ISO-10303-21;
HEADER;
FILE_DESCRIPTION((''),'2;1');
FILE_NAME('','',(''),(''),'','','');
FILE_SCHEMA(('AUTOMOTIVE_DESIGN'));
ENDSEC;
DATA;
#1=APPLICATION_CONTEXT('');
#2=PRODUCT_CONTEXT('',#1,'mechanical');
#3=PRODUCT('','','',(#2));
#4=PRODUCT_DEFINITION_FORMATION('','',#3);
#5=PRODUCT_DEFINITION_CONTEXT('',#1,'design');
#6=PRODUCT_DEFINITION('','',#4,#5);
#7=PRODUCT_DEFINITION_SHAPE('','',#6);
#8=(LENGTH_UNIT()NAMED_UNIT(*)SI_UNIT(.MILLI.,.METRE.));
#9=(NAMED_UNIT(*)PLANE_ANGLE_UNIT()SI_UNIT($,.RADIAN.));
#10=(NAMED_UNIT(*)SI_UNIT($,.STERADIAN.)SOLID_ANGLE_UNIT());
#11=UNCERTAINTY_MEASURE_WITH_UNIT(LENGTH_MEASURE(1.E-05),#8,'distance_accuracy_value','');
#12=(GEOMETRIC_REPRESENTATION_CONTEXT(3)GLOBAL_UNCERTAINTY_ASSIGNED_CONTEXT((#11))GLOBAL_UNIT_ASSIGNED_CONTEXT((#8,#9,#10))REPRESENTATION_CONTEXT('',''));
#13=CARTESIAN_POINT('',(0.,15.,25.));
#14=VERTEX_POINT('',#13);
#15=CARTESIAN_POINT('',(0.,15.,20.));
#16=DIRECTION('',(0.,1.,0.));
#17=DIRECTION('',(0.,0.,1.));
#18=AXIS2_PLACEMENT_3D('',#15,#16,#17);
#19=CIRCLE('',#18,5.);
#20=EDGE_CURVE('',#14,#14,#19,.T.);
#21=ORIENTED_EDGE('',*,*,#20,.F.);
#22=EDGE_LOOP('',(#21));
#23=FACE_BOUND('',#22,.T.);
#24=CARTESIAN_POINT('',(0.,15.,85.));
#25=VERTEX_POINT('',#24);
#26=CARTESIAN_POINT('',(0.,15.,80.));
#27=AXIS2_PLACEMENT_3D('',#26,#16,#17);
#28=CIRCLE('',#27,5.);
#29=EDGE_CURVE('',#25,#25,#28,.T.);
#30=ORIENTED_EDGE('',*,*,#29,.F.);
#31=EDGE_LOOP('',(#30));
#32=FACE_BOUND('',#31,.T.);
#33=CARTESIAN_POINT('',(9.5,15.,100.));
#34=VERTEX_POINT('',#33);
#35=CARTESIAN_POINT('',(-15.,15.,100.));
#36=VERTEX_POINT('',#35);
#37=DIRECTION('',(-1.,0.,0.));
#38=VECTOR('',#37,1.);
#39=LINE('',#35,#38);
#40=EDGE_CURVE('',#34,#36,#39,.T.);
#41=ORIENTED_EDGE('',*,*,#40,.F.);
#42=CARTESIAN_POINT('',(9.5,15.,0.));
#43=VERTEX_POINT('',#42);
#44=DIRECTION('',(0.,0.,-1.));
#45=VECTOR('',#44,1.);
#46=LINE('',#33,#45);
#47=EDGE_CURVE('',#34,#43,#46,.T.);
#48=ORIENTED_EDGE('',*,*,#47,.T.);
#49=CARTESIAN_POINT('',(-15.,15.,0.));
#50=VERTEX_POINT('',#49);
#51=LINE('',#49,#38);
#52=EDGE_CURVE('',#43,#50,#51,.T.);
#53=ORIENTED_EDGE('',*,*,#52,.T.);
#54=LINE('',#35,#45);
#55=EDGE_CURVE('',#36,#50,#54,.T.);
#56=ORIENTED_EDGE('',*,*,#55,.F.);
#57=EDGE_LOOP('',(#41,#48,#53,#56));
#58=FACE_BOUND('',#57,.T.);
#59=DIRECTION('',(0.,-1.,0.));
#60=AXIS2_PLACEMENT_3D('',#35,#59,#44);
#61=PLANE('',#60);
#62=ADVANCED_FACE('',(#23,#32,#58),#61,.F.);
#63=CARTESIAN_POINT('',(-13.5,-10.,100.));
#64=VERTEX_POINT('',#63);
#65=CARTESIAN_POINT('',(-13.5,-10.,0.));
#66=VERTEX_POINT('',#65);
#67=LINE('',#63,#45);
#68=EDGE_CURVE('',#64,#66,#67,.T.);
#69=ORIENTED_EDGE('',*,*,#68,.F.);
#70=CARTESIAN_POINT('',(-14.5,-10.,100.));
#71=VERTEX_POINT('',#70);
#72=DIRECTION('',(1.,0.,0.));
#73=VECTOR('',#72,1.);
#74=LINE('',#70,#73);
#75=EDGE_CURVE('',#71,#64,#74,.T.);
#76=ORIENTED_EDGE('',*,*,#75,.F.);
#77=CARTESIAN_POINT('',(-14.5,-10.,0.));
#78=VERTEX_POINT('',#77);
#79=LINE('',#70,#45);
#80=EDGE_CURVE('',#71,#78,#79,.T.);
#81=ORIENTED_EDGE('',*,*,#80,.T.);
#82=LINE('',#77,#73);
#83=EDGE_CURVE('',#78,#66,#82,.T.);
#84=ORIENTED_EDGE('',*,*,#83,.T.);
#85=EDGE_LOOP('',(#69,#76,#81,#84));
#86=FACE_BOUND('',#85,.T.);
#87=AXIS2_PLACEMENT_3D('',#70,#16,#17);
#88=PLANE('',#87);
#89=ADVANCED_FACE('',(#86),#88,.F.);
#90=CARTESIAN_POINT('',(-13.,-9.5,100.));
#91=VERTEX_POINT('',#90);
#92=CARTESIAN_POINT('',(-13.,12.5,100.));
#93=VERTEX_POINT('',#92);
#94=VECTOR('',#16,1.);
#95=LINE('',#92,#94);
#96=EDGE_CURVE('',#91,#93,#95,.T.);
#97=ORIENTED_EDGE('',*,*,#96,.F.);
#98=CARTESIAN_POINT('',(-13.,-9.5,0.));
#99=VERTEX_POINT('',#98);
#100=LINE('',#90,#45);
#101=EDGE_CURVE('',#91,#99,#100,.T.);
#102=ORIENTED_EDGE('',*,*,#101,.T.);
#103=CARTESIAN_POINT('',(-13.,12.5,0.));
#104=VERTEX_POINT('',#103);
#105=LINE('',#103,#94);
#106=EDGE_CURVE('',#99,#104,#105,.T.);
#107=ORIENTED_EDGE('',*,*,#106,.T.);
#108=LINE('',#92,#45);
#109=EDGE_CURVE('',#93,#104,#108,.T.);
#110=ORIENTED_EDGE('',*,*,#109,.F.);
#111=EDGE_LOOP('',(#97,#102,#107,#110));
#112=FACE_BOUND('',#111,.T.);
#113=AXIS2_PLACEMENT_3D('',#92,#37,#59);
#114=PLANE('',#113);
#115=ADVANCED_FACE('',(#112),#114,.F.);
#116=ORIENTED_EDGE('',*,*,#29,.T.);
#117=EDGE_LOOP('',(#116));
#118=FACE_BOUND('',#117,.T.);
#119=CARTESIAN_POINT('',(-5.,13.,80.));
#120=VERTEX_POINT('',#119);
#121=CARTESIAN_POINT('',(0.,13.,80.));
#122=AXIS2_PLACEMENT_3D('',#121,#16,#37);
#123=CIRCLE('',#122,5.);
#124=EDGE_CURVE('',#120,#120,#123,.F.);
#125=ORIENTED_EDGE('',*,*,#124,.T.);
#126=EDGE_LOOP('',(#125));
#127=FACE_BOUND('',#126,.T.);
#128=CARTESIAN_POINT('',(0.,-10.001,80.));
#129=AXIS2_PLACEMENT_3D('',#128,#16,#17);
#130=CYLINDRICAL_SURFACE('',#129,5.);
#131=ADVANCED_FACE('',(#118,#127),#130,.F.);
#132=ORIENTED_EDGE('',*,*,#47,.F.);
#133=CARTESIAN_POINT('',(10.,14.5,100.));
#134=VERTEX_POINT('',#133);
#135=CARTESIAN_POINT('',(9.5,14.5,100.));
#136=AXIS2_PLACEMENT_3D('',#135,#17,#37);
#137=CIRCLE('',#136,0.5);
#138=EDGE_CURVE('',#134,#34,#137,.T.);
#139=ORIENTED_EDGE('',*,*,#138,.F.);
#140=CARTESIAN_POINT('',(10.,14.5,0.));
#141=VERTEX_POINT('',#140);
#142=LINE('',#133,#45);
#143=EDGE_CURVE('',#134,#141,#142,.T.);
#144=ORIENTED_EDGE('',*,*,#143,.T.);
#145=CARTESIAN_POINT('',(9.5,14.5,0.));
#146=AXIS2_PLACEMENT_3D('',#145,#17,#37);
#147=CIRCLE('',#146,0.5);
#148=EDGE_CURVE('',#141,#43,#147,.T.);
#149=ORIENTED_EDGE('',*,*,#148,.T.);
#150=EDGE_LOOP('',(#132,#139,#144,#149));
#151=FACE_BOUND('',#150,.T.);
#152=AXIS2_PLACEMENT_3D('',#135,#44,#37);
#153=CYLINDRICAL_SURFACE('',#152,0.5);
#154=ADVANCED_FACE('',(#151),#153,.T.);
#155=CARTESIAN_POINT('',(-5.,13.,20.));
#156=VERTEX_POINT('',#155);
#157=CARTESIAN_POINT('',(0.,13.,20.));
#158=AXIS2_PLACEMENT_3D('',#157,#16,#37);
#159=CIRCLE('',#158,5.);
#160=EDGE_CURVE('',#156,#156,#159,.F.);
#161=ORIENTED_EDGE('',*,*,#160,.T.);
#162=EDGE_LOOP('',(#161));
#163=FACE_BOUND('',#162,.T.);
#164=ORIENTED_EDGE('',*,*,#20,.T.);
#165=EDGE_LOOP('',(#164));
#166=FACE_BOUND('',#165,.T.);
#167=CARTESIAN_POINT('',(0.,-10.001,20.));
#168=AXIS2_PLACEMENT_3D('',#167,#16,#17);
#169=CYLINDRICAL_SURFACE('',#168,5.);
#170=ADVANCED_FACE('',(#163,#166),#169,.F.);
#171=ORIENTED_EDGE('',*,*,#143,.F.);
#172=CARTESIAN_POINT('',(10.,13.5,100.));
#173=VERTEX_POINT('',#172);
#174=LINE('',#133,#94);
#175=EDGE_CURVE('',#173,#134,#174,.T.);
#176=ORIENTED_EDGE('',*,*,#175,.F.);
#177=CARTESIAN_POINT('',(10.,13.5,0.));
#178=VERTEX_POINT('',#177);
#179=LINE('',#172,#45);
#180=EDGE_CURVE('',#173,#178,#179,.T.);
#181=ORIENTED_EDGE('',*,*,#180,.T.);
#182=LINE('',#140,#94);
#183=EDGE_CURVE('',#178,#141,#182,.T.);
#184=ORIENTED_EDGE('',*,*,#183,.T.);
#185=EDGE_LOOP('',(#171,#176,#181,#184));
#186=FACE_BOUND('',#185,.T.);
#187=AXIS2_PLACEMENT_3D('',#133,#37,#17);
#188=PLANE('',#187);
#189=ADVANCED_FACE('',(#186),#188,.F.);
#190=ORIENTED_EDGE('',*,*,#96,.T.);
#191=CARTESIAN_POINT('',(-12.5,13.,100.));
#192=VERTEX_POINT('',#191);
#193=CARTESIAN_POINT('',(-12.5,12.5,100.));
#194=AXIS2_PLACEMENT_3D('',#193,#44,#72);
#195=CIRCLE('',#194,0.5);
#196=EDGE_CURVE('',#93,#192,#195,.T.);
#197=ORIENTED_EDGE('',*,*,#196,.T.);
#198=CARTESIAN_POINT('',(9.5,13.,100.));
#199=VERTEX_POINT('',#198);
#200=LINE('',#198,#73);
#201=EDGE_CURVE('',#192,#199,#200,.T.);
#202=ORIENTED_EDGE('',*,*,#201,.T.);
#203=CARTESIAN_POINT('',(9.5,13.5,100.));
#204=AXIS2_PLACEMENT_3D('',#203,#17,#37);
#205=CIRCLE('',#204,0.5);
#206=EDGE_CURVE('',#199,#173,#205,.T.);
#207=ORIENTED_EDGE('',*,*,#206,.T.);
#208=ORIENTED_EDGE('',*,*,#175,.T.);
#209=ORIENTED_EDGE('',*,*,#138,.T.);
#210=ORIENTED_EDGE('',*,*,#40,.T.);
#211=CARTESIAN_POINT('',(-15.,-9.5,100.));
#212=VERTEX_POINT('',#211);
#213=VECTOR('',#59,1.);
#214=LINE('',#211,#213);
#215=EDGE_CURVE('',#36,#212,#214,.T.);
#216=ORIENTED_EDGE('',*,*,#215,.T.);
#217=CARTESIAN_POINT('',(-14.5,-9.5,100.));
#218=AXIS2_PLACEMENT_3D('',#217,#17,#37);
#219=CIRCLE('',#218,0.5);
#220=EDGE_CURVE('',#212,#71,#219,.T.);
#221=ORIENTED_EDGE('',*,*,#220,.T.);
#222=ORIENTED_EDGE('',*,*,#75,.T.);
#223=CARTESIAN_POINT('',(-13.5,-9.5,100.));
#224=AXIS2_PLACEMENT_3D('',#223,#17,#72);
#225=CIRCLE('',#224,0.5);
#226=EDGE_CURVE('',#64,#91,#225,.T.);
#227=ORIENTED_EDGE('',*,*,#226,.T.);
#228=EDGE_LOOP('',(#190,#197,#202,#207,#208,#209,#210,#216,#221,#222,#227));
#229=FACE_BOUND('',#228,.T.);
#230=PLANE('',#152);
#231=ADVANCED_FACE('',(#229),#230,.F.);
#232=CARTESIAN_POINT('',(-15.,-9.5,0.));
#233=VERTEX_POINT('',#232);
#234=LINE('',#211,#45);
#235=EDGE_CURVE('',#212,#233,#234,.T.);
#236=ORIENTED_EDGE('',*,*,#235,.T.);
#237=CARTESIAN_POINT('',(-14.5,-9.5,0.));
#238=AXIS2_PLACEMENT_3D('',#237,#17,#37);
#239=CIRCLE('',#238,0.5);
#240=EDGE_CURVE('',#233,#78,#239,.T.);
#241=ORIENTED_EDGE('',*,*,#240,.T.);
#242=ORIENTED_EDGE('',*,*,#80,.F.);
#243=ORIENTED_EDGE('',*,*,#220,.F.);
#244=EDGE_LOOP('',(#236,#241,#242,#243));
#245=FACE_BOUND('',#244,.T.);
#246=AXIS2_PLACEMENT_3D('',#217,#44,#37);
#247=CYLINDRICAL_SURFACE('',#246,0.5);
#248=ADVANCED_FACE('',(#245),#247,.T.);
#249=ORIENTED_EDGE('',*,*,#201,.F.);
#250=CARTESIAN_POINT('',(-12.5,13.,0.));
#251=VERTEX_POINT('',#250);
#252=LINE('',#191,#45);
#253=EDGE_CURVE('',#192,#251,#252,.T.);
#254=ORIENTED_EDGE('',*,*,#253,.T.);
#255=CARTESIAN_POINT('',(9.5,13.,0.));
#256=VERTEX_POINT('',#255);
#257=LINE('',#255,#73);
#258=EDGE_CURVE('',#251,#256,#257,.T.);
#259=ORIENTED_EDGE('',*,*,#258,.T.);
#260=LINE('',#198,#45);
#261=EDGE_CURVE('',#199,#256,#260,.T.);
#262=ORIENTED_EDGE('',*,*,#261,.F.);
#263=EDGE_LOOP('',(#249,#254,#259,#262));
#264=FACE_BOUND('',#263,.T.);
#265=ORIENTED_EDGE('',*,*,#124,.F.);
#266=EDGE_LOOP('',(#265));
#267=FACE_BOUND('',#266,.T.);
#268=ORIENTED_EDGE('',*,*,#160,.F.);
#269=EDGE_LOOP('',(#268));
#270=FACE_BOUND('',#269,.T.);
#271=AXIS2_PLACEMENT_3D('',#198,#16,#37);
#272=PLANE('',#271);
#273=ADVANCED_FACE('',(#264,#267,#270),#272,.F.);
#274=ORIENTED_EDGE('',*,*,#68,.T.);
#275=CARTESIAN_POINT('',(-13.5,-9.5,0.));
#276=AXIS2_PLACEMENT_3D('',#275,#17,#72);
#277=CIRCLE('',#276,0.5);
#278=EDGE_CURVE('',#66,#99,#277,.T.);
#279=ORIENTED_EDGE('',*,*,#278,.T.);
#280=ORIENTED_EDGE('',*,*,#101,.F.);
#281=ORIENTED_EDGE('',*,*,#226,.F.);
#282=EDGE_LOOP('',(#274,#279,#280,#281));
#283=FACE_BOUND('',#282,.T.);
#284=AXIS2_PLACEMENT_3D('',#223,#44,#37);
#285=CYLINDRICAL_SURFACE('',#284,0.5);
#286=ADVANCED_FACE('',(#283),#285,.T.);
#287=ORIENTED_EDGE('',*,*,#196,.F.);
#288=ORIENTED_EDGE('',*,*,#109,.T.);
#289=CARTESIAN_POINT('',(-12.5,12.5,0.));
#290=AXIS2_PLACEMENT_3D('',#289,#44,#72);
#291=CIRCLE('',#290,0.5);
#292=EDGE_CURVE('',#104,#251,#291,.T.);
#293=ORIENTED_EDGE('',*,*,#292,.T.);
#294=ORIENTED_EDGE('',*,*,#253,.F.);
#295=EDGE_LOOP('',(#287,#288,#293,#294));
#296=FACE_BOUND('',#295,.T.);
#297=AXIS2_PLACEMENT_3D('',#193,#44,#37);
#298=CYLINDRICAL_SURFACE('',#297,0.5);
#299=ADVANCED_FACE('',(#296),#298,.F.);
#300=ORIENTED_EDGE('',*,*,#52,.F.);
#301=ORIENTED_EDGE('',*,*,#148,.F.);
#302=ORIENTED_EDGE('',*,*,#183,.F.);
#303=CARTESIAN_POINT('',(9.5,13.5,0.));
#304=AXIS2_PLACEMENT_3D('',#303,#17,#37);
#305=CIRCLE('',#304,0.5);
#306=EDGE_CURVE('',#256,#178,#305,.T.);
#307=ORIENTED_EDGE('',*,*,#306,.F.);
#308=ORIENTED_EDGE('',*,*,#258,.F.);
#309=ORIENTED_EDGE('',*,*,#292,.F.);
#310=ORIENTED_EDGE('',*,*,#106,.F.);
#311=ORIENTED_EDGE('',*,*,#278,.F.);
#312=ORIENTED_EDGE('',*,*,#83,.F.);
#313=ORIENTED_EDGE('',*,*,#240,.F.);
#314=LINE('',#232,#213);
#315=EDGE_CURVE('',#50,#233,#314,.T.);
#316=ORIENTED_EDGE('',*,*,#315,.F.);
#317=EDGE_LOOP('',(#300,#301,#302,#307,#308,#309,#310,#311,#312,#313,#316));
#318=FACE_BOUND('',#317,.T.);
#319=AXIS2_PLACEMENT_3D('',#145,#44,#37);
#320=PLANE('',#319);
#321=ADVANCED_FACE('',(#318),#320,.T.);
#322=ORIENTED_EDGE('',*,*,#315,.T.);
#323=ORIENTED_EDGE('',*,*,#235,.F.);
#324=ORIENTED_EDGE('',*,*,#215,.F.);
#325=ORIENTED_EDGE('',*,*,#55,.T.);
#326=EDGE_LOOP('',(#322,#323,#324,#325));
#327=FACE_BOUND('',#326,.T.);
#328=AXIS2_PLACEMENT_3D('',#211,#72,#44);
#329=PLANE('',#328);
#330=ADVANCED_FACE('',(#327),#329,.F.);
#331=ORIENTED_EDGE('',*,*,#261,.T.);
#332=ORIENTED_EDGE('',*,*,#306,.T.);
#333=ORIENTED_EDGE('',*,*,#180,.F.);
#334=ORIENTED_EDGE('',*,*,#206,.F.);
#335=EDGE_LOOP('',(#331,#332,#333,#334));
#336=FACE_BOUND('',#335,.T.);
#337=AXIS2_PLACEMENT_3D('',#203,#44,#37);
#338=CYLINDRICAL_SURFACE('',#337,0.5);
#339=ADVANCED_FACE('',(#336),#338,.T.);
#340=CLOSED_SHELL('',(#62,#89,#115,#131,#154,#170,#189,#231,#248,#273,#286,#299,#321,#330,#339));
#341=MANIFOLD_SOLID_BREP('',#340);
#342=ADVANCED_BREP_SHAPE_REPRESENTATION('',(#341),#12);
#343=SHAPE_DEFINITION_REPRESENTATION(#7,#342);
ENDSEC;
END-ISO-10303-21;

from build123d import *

# Parameters (mm, degrees)
EXTRUDE_1_DEPTH     = 100
CUT_EXTRUDE_1_REACH = 106.163
SKETCH_2_R          = 5


with BuildPart() as part:
    # Эскиз1 → Бобышка-Вытянуть1 (new body)
    with BuildSketch(Plane.XY):
        with BuildLine():
            Line((10, 14.5), (10, 13.5))
            ThreePointArc((10, 13.5), (9.853553391, 13.146446609), (9.5, 13))
            Line((9.5, 13), (-12.5, 13))
            ThreePointArc((-12.5, 13), (-12.853553391, 12.853553391), (-13, 12.5))
            Line((-13, 12.5), (-13, -9.5))
            ThreePointArc((-13, -9.5), (-13.146446609, -9.853553391), (-13.5, -10))
            Line((-13.5, -10), (-14.5, -10))
            ThreePointArc((-14.5, -10), (-14.853553391, -9.853553391), (-15, -9.5))
            Line((-15, -9.5), (-15, 15))
            Line((-15, 15), (9.5, 15))
            ThreePointArc((9.5, 15), (9.853553391, 14.853553391), (10, 14.5))
        make_face()
    extrude(amount=EXTRUDE_1_DEPTH)

    # Эскиз2 → Вырез-Вытянуть1 (cut, up to next)
    with BuildSketch(Plane(origin=(0, 15, 0), x_dir=(1, 0, 0), z_dir=(0, 1, 0)), mode=Mode.PRIVATE) as cut_extrude_1_sk1:
        with Locations(Location((0, -80, 0), (0, 0, 270))):
            Circle(SKETCH_2_R)
    cut_extrude_1_tool1 = extrude(cut_extrude_1_sk1.sketch, amount=-CUT_EXTRUDE_1_REACH, mode=Mode.PRIVATE) & part.part
    # Эскиз2 → Вырез-Вытянуть1 (cut, up to next)
    with BuildSketch(Plane(origin=(0, 15, 0), x_dir=(1, 0, 0), z_dir=(0, 1, 0)), mode=Mode.PRIVATE) as cut_extrude_1_sk2:
        with Locations(Location((0, -20, 0), (0, 0, 270))):
            Circle(SKETCH_2_R)
    cut_extrude_1_tool2 = extrude(cut_extrude_1_sk2.sketch, amount=-CUT_EXTRUDE_1_REACH, mode=Mode.PRIVATE) & part.part
    add(cut_extrude_1_tool1.solids().sort_by_distance((0, 15, 80))[0], mode=Mode.SUBTRACT)
    add(cut_extrude_1_tool2.solids().sort_by_distance((0, 15, 20))[0], mode=Mode.SUBTRACT)


solid = part.part
